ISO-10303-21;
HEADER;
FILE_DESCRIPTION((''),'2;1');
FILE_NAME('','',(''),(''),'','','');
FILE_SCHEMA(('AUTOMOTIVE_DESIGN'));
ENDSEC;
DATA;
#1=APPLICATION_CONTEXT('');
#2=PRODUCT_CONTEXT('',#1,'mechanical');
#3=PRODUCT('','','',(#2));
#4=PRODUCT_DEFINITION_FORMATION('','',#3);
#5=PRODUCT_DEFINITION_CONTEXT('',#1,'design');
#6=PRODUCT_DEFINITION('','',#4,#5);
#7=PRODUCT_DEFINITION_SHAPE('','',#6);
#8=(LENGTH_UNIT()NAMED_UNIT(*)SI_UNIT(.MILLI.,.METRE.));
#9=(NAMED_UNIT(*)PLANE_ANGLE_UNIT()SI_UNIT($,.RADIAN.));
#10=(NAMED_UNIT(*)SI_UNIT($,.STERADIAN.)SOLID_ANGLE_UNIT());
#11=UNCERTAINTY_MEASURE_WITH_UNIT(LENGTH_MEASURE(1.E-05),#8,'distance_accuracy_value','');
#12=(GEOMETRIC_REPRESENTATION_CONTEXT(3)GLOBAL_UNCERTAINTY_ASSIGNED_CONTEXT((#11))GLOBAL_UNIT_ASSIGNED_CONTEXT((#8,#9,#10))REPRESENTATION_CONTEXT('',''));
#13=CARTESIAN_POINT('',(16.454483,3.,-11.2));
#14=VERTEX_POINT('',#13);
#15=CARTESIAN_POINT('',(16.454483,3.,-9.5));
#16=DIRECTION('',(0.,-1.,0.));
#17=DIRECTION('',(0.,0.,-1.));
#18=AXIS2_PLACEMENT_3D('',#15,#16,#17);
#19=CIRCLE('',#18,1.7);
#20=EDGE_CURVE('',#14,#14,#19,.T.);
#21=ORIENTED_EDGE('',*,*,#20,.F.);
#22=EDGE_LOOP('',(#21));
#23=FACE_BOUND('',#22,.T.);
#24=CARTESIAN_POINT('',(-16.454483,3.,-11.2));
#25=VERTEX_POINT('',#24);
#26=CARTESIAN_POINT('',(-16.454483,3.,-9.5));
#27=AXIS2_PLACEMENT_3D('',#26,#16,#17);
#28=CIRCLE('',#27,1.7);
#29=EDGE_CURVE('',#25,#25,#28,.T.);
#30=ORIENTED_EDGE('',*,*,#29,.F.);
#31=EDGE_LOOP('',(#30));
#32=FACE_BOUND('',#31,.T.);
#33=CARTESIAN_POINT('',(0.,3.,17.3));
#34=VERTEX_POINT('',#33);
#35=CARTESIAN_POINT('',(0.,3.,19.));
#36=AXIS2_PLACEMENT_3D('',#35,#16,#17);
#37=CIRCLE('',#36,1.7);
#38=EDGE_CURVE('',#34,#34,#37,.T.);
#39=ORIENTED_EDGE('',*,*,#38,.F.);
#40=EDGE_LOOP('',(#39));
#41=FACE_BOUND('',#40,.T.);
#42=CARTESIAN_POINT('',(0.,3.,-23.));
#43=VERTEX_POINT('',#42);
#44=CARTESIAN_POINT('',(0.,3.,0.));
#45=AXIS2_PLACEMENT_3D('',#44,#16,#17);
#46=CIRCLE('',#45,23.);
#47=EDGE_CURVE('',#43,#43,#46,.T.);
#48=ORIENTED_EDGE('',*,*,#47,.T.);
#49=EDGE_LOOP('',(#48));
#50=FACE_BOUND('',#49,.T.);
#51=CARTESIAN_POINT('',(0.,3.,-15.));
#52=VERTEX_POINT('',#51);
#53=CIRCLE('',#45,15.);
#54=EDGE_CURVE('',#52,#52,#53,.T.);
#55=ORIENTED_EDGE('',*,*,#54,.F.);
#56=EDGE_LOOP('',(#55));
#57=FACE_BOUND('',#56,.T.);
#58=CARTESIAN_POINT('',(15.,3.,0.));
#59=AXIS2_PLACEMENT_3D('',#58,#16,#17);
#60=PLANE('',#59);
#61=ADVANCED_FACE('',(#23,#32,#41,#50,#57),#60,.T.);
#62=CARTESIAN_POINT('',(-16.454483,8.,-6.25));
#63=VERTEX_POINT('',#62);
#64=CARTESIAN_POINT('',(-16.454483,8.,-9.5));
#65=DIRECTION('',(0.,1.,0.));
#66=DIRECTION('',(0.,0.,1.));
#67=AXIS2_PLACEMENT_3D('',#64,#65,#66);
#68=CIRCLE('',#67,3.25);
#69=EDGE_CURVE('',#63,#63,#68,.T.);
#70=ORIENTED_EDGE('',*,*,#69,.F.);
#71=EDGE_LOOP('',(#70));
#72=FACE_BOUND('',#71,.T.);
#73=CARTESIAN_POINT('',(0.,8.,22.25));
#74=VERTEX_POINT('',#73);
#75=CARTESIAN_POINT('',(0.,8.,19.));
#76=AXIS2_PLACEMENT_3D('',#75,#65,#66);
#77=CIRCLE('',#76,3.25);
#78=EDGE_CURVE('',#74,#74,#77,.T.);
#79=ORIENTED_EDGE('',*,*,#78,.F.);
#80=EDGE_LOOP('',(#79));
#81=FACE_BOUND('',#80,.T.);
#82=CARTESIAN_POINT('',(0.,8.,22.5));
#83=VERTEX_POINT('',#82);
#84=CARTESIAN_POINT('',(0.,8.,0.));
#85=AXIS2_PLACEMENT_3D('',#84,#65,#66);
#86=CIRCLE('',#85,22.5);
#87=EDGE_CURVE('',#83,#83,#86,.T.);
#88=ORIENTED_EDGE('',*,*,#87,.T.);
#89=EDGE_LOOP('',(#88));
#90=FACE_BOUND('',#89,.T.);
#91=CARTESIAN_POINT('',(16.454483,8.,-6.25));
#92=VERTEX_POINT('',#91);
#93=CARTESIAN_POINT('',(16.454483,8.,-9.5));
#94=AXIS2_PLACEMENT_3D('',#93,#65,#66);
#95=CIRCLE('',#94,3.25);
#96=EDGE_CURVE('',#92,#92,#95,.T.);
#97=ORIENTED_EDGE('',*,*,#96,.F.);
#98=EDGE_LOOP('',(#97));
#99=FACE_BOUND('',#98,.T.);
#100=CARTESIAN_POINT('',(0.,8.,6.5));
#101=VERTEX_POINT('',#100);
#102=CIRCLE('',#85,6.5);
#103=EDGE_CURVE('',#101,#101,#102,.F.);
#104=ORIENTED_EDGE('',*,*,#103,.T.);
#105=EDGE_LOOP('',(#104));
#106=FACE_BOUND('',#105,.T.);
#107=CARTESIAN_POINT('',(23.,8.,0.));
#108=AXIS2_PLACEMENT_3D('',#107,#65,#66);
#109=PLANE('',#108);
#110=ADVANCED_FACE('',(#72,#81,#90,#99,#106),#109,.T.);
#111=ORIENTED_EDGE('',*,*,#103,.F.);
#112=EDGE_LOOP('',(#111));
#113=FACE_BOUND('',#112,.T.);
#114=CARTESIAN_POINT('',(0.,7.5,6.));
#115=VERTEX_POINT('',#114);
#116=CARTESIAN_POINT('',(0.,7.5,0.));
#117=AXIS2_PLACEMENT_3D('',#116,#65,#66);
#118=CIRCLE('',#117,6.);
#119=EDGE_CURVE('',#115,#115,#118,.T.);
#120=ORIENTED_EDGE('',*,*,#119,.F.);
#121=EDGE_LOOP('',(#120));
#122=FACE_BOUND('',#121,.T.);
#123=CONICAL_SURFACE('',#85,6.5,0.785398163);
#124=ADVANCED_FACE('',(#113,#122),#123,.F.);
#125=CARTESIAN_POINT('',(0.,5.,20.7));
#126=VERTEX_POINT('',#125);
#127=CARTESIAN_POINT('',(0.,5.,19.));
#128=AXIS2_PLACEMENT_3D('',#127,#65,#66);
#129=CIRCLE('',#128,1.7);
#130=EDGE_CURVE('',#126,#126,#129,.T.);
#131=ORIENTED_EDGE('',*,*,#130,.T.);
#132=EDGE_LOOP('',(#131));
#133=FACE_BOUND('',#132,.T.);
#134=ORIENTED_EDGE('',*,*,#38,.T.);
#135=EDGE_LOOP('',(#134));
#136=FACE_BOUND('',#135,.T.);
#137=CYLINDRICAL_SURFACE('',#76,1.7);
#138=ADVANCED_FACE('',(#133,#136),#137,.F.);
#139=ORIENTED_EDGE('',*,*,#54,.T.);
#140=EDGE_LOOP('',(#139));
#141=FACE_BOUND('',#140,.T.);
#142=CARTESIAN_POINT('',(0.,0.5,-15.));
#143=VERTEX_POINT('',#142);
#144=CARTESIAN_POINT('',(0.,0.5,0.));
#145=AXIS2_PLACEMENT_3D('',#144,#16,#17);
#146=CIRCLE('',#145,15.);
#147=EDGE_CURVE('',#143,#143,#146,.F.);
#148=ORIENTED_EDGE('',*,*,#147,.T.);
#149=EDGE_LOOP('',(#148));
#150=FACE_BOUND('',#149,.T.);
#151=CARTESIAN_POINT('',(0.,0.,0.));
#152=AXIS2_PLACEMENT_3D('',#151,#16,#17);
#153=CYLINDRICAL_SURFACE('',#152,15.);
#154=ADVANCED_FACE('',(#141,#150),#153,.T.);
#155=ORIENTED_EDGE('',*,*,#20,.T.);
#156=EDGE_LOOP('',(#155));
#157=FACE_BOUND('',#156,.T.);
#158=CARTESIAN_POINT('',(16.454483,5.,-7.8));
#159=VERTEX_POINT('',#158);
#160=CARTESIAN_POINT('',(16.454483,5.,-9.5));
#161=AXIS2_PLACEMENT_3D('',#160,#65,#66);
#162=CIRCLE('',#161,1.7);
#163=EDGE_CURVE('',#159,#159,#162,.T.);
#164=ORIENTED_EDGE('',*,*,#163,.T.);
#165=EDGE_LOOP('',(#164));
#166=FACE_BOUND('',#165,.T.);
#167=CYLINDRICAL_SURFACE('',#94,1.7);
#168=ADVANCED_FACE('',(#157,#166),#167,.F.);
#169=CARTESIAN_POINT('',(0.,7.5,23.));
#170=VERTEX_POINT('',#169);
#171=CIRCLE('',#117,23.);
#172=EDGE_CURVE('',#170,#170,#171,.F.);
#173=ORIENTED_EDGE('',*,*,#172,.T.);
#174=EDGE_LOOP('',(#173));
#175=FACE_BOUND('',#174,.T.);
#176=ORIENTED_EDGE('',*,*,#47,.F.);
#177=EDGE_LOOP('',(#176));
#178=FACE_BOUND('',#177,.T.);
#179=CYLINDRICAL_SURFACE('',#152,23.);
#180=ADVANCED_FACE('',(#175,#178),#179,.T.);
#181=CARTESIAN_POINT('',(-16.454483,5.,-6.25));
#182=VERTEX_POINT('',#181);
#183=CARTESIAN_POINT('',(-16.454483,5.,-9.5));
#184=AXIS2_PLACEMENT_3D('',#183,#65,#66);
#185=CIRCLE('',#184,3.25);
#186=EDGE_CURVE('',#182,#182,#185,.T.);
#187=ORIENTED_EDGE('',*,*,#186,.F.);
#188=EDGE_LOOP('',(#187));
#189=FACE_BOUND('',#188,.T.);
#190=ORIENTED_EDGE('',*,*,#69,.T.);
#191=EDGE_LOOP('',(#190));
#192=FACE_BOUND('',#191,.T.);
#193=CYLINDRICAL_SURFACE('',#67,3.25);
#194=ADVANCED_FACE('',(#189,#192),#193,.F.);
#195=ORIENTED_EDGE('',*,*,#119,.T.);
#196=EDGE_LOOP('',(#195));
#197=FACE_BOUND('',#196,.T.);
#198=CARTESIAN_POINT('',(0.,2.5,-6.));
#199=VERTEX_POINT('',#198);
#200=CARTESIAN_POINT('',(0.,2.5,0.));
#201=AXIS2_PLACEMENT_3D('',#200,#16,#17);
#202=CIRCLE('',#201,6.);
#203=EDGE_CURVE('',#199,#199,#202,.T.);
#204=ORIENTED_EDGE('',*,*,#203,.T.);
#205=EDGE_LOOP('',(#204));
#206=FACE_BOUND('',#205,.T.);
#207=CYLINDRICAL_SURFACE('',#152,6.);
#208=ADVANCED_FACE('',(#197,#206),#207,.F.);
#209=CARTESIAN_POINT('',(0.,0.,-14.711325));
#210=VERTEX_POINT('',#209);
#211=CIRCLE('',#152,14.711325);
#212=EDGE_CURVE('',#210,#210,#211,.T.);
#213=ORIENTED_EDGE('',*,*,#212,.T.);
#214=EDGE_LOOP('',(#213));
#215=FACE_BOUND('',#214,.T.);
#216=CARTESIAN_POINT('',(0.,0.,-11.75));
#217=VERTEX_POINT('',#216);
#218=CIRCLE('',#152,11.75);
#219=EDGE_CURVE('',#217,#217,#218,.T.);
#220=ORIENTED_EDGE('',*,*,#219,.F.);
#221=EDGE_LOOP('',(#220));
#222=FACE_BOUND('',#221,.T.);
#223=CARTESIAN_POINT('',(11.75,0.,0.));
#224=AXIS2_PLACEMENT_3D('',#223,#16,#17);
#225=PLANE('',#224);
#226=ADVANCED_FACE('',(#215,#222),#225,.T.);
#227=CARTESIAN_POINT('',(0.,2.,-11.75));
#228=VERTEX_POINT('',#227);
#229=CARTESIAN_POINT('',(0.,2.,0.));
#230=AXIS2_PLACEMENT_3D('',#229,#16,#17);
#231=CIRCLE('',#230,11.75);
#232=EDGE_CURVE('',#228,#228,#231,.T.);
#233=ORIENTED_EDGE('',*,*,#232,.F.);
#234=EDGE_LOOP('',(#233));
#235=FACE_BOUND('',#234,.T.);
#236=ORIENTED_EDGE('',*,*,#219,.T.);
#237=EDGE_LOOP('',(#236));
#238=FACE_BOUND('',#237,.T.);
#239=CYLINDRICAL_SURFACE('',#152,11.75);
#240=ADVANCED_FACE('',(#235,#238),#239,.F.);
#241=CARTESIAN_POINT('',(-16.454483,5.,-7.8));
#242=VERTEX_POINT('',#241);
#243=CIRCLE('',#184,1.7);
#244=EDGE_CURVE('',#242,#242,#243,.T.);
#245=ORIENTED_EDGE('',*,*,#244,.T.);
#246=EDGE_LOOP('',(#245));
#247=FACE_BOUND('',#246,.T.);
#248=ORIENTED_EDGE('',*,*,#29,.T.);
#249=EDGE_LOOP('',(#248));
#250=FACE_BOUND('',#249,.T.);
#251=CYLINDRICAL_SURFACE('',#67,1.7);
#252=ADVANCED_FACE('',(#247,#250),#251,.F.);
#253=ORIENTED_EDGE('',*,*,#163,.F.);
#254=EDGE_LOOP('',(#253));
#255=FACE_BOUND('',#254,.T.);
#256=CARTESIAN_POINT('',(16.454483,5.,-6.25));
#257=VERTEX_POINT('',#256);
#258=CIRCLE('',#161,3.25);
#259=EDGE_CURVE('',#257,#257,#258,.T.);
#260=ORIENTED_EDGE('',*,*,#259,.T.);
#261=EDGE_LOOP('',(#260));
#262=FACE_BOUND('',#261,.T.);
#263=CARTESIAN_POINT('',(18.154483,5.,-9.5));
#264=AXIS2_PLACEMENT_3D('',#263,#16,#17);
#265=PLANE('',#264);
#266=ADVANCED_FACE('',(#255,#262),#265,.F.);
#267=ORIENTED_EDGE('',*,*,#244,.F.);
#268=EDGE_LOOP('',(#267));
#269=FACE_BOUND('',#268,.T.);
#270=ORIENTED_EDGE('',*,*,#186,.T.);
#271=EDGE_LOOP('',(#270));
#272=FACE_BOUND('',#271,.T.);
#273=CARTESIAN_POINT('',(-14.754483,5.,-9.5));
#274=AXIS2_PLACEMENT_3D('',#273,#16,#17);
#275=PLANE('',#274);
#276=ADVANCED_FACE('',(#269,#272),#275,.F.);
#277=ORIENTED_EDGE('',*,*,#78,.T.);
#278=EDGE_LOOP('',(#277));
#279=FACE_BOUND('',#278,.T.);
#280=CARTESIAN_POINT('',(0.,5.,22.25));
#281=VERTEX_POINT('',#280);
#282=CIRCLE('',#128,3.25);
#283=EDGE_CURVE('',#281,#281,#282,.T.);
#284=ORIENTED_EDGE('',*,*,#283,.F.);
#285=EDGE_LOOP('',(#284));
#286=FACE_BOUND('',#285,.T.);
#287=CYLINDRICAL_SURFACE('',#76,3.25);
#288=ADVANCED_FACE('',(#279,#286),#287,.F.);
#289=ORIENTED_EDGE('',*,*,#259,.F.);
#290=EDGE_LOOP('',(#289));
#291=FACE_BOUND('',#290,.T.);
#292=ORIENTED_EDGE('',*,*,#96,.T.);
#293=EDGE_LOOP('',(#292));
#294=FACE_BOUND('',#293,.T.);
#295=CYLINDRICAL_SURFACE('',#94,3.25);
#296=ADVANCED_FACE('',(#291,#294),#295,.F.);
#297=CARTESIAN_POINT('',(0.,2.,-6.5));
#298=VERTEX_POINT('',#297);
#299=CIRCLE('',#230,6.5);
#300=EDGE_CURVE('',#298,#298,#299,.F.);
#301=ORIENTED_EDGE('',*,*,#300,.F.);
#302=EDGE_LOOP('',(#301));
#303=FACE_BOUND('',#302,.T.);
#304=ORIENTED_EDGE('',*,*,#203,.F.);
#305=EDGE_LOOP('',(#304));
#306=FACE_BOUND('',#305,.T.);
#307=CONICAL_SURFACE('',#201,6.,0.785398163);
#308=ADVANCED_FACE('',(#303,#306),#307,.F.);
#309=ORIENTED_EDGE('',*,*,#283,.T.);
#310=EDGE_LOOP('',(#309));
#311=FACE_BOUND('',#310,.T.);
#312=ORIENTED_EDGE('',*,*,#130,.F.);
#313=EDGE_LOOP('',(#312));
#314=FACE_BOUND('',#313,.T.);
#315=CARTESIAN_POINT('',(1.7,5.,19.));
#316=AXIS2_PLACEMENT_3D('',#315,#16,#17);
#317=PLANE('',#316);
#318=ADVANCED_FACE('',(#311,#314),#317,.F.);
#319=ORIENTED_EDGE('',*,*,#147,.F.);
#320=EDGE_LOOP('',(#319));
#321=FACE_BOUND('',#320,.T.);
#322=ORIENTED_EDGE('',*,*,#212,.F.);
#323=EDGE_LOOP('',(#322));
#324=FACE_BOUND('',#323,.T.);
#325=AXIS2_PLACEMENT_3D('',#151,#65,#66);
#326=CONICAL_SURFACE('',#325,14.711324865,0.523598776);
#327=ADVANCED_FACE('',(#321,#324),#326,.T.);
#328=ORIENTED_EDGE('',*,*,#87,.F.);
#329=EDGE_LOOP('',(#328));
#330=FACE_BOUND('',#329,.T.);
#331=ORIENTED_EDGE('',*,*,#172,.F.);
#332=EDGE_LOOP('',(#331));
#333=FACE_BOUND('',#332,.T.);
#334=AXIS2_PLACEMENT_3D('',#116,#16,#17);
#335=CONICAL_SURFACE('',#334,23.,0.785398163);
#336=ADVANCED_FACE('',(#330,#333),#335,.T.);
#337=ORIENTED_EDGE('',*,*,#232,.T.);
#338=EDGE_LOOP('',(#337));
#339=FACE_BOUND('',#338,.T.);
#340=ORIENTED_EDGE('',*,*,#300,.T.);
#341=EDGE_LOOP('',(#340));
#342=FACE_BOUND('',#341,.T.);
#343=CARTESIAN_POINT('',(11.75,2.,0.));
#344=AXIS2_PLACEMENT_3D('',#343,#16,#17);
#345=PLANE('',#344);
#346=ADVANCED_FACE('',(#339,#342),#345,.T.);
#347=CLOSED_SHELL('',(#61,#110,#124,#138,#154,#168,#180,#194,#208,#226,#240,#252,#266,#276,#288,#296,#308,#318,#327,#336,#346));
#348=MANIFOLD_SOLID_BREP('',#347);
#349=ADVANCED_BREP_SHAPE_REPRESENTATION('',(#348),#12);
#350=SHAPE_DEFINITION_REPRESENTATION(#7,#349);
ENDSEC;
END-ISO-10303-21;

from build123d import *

# Parameters (mm, degrees)
CHANFREIN2_SIZE                                    = 0.5
CHANFREIN2_SIZE2                                   = 0.288675135
CHANFREIN3_SIZE                                    = 0.5
CHANFREIN4_SIZE                                    = 0.5
CHANFREIN5_SIZE                                    = 0.5
CHAMBRAGE_POUR_VIS_T_TE_HEXAGONALE_M31_D           = 3.4
CHAMBRAGE_POUR_VIS_T_TE_HEXAGONALE_M31_CBORE_D     = 6.5
CHAMBRAGE_POUR_VIS_T_TE_HEXAGONALE_M31_CBORE_DEPTH = 3
R_P_TITION_CIRCULAIRE1_COUNT                       = 3


with BuildPart() as part:
    # Esquisse1 → Révolution1 (revolve)
    with BuildSketch(Plane.XY, mode=Mode.PRIVATE) as r_volution1_sk:
        Polygon((11.75, 0), (15, 0), (15, 3), (23, 3), (23, 8), (6, 8), (6, 2), (11.75, 2), align=None)
    revolve(r_volution1_sk.sketch.rotate(Axis((0, 0, 0), (0, 1, 0)), 90), axis=Axis((0, 0, 0), (0, 1, 0)))  # turned: the seam where the file's is

    # Chanfrein2
    chanfrein2_edges = [part.edges().sort_by_distance(p)[0] for p in [
        (0, 0, 15),
    ]]
    chanfrein2_side = [part.faces().sort_by_distance(p)[0] for p in [
        (0, 1.5, 15),
    ]]
    chamfer(chanfrein2_edges, length=CHANFREIN2_SIZE, length2=CHANFREIN2_SIZE2, reference=chanfrein2_side[0])

    # Chanfrein3
    chanfrein3_edges = [part.edges().sort_by_distance(p)[0] for p in [
        (0, 8, 6),
    ]]
    chamfer(chanfrein3_edges, length=CHANFREIN3_SIZE)

    # Chanfrein4
    chanfrein4_edges = [part.edges().sort_by_distance(p)[0] for p in [
        (0, 2, 6),
    ]]
    chamfer(chanfrein4_edges, length=CHANFREIN4_SIZE)

    # Chanfrein5
    chanfrein5_edges = [part.edges().sort_by_distance(p)[0] for p in [
        (0, 8, 23),
    ]]
    chamfer(chanfrein5_edges, length=CHANFREIN5_SIZE)

    # Chambrage pour vis à tête hexagonale M31 (through all)
    with Locations(Plane(origin=(0, 8, 0), x_dir=(-1, 0, 0), z_dir=(0, 1, 0))):
        with Locations((0, 19)):
            chambrage_pour_vis_t_te_hexagonale_m31 = CounterBoreHole(CHAMBRAGE_POUR_VIS_T_TE_HEXAGONALE_M31_D / 2, CHAMBRAGE_POUR_VIS_T_TE_HEXAGONALE_M31_CBORE_D / 2, CHAMBRAGE_POUR_VIS_T_TE_HEXAGONALE_M31_CBORE_DEPTH)

    # Répétition circulaire1: Chambrage pour vis à tête hexagonale M31 ×3 about axis
    r_p_tition_circulaire1_axis = Axis((0, 0, 0), (0, 1, 0))
    for i in range(1, R_P_TITION_CIRCULAIRE1_COUNT):
        add(chambrage_pour_vis_t_te_hexagonale_m31.rotate(r_p_tition_circulaire1_axis, i * 360 / R_P_TITION_CIRCULAIRE1_COUNT), mode=Mode.SUBTRACT)


solid = part.part
